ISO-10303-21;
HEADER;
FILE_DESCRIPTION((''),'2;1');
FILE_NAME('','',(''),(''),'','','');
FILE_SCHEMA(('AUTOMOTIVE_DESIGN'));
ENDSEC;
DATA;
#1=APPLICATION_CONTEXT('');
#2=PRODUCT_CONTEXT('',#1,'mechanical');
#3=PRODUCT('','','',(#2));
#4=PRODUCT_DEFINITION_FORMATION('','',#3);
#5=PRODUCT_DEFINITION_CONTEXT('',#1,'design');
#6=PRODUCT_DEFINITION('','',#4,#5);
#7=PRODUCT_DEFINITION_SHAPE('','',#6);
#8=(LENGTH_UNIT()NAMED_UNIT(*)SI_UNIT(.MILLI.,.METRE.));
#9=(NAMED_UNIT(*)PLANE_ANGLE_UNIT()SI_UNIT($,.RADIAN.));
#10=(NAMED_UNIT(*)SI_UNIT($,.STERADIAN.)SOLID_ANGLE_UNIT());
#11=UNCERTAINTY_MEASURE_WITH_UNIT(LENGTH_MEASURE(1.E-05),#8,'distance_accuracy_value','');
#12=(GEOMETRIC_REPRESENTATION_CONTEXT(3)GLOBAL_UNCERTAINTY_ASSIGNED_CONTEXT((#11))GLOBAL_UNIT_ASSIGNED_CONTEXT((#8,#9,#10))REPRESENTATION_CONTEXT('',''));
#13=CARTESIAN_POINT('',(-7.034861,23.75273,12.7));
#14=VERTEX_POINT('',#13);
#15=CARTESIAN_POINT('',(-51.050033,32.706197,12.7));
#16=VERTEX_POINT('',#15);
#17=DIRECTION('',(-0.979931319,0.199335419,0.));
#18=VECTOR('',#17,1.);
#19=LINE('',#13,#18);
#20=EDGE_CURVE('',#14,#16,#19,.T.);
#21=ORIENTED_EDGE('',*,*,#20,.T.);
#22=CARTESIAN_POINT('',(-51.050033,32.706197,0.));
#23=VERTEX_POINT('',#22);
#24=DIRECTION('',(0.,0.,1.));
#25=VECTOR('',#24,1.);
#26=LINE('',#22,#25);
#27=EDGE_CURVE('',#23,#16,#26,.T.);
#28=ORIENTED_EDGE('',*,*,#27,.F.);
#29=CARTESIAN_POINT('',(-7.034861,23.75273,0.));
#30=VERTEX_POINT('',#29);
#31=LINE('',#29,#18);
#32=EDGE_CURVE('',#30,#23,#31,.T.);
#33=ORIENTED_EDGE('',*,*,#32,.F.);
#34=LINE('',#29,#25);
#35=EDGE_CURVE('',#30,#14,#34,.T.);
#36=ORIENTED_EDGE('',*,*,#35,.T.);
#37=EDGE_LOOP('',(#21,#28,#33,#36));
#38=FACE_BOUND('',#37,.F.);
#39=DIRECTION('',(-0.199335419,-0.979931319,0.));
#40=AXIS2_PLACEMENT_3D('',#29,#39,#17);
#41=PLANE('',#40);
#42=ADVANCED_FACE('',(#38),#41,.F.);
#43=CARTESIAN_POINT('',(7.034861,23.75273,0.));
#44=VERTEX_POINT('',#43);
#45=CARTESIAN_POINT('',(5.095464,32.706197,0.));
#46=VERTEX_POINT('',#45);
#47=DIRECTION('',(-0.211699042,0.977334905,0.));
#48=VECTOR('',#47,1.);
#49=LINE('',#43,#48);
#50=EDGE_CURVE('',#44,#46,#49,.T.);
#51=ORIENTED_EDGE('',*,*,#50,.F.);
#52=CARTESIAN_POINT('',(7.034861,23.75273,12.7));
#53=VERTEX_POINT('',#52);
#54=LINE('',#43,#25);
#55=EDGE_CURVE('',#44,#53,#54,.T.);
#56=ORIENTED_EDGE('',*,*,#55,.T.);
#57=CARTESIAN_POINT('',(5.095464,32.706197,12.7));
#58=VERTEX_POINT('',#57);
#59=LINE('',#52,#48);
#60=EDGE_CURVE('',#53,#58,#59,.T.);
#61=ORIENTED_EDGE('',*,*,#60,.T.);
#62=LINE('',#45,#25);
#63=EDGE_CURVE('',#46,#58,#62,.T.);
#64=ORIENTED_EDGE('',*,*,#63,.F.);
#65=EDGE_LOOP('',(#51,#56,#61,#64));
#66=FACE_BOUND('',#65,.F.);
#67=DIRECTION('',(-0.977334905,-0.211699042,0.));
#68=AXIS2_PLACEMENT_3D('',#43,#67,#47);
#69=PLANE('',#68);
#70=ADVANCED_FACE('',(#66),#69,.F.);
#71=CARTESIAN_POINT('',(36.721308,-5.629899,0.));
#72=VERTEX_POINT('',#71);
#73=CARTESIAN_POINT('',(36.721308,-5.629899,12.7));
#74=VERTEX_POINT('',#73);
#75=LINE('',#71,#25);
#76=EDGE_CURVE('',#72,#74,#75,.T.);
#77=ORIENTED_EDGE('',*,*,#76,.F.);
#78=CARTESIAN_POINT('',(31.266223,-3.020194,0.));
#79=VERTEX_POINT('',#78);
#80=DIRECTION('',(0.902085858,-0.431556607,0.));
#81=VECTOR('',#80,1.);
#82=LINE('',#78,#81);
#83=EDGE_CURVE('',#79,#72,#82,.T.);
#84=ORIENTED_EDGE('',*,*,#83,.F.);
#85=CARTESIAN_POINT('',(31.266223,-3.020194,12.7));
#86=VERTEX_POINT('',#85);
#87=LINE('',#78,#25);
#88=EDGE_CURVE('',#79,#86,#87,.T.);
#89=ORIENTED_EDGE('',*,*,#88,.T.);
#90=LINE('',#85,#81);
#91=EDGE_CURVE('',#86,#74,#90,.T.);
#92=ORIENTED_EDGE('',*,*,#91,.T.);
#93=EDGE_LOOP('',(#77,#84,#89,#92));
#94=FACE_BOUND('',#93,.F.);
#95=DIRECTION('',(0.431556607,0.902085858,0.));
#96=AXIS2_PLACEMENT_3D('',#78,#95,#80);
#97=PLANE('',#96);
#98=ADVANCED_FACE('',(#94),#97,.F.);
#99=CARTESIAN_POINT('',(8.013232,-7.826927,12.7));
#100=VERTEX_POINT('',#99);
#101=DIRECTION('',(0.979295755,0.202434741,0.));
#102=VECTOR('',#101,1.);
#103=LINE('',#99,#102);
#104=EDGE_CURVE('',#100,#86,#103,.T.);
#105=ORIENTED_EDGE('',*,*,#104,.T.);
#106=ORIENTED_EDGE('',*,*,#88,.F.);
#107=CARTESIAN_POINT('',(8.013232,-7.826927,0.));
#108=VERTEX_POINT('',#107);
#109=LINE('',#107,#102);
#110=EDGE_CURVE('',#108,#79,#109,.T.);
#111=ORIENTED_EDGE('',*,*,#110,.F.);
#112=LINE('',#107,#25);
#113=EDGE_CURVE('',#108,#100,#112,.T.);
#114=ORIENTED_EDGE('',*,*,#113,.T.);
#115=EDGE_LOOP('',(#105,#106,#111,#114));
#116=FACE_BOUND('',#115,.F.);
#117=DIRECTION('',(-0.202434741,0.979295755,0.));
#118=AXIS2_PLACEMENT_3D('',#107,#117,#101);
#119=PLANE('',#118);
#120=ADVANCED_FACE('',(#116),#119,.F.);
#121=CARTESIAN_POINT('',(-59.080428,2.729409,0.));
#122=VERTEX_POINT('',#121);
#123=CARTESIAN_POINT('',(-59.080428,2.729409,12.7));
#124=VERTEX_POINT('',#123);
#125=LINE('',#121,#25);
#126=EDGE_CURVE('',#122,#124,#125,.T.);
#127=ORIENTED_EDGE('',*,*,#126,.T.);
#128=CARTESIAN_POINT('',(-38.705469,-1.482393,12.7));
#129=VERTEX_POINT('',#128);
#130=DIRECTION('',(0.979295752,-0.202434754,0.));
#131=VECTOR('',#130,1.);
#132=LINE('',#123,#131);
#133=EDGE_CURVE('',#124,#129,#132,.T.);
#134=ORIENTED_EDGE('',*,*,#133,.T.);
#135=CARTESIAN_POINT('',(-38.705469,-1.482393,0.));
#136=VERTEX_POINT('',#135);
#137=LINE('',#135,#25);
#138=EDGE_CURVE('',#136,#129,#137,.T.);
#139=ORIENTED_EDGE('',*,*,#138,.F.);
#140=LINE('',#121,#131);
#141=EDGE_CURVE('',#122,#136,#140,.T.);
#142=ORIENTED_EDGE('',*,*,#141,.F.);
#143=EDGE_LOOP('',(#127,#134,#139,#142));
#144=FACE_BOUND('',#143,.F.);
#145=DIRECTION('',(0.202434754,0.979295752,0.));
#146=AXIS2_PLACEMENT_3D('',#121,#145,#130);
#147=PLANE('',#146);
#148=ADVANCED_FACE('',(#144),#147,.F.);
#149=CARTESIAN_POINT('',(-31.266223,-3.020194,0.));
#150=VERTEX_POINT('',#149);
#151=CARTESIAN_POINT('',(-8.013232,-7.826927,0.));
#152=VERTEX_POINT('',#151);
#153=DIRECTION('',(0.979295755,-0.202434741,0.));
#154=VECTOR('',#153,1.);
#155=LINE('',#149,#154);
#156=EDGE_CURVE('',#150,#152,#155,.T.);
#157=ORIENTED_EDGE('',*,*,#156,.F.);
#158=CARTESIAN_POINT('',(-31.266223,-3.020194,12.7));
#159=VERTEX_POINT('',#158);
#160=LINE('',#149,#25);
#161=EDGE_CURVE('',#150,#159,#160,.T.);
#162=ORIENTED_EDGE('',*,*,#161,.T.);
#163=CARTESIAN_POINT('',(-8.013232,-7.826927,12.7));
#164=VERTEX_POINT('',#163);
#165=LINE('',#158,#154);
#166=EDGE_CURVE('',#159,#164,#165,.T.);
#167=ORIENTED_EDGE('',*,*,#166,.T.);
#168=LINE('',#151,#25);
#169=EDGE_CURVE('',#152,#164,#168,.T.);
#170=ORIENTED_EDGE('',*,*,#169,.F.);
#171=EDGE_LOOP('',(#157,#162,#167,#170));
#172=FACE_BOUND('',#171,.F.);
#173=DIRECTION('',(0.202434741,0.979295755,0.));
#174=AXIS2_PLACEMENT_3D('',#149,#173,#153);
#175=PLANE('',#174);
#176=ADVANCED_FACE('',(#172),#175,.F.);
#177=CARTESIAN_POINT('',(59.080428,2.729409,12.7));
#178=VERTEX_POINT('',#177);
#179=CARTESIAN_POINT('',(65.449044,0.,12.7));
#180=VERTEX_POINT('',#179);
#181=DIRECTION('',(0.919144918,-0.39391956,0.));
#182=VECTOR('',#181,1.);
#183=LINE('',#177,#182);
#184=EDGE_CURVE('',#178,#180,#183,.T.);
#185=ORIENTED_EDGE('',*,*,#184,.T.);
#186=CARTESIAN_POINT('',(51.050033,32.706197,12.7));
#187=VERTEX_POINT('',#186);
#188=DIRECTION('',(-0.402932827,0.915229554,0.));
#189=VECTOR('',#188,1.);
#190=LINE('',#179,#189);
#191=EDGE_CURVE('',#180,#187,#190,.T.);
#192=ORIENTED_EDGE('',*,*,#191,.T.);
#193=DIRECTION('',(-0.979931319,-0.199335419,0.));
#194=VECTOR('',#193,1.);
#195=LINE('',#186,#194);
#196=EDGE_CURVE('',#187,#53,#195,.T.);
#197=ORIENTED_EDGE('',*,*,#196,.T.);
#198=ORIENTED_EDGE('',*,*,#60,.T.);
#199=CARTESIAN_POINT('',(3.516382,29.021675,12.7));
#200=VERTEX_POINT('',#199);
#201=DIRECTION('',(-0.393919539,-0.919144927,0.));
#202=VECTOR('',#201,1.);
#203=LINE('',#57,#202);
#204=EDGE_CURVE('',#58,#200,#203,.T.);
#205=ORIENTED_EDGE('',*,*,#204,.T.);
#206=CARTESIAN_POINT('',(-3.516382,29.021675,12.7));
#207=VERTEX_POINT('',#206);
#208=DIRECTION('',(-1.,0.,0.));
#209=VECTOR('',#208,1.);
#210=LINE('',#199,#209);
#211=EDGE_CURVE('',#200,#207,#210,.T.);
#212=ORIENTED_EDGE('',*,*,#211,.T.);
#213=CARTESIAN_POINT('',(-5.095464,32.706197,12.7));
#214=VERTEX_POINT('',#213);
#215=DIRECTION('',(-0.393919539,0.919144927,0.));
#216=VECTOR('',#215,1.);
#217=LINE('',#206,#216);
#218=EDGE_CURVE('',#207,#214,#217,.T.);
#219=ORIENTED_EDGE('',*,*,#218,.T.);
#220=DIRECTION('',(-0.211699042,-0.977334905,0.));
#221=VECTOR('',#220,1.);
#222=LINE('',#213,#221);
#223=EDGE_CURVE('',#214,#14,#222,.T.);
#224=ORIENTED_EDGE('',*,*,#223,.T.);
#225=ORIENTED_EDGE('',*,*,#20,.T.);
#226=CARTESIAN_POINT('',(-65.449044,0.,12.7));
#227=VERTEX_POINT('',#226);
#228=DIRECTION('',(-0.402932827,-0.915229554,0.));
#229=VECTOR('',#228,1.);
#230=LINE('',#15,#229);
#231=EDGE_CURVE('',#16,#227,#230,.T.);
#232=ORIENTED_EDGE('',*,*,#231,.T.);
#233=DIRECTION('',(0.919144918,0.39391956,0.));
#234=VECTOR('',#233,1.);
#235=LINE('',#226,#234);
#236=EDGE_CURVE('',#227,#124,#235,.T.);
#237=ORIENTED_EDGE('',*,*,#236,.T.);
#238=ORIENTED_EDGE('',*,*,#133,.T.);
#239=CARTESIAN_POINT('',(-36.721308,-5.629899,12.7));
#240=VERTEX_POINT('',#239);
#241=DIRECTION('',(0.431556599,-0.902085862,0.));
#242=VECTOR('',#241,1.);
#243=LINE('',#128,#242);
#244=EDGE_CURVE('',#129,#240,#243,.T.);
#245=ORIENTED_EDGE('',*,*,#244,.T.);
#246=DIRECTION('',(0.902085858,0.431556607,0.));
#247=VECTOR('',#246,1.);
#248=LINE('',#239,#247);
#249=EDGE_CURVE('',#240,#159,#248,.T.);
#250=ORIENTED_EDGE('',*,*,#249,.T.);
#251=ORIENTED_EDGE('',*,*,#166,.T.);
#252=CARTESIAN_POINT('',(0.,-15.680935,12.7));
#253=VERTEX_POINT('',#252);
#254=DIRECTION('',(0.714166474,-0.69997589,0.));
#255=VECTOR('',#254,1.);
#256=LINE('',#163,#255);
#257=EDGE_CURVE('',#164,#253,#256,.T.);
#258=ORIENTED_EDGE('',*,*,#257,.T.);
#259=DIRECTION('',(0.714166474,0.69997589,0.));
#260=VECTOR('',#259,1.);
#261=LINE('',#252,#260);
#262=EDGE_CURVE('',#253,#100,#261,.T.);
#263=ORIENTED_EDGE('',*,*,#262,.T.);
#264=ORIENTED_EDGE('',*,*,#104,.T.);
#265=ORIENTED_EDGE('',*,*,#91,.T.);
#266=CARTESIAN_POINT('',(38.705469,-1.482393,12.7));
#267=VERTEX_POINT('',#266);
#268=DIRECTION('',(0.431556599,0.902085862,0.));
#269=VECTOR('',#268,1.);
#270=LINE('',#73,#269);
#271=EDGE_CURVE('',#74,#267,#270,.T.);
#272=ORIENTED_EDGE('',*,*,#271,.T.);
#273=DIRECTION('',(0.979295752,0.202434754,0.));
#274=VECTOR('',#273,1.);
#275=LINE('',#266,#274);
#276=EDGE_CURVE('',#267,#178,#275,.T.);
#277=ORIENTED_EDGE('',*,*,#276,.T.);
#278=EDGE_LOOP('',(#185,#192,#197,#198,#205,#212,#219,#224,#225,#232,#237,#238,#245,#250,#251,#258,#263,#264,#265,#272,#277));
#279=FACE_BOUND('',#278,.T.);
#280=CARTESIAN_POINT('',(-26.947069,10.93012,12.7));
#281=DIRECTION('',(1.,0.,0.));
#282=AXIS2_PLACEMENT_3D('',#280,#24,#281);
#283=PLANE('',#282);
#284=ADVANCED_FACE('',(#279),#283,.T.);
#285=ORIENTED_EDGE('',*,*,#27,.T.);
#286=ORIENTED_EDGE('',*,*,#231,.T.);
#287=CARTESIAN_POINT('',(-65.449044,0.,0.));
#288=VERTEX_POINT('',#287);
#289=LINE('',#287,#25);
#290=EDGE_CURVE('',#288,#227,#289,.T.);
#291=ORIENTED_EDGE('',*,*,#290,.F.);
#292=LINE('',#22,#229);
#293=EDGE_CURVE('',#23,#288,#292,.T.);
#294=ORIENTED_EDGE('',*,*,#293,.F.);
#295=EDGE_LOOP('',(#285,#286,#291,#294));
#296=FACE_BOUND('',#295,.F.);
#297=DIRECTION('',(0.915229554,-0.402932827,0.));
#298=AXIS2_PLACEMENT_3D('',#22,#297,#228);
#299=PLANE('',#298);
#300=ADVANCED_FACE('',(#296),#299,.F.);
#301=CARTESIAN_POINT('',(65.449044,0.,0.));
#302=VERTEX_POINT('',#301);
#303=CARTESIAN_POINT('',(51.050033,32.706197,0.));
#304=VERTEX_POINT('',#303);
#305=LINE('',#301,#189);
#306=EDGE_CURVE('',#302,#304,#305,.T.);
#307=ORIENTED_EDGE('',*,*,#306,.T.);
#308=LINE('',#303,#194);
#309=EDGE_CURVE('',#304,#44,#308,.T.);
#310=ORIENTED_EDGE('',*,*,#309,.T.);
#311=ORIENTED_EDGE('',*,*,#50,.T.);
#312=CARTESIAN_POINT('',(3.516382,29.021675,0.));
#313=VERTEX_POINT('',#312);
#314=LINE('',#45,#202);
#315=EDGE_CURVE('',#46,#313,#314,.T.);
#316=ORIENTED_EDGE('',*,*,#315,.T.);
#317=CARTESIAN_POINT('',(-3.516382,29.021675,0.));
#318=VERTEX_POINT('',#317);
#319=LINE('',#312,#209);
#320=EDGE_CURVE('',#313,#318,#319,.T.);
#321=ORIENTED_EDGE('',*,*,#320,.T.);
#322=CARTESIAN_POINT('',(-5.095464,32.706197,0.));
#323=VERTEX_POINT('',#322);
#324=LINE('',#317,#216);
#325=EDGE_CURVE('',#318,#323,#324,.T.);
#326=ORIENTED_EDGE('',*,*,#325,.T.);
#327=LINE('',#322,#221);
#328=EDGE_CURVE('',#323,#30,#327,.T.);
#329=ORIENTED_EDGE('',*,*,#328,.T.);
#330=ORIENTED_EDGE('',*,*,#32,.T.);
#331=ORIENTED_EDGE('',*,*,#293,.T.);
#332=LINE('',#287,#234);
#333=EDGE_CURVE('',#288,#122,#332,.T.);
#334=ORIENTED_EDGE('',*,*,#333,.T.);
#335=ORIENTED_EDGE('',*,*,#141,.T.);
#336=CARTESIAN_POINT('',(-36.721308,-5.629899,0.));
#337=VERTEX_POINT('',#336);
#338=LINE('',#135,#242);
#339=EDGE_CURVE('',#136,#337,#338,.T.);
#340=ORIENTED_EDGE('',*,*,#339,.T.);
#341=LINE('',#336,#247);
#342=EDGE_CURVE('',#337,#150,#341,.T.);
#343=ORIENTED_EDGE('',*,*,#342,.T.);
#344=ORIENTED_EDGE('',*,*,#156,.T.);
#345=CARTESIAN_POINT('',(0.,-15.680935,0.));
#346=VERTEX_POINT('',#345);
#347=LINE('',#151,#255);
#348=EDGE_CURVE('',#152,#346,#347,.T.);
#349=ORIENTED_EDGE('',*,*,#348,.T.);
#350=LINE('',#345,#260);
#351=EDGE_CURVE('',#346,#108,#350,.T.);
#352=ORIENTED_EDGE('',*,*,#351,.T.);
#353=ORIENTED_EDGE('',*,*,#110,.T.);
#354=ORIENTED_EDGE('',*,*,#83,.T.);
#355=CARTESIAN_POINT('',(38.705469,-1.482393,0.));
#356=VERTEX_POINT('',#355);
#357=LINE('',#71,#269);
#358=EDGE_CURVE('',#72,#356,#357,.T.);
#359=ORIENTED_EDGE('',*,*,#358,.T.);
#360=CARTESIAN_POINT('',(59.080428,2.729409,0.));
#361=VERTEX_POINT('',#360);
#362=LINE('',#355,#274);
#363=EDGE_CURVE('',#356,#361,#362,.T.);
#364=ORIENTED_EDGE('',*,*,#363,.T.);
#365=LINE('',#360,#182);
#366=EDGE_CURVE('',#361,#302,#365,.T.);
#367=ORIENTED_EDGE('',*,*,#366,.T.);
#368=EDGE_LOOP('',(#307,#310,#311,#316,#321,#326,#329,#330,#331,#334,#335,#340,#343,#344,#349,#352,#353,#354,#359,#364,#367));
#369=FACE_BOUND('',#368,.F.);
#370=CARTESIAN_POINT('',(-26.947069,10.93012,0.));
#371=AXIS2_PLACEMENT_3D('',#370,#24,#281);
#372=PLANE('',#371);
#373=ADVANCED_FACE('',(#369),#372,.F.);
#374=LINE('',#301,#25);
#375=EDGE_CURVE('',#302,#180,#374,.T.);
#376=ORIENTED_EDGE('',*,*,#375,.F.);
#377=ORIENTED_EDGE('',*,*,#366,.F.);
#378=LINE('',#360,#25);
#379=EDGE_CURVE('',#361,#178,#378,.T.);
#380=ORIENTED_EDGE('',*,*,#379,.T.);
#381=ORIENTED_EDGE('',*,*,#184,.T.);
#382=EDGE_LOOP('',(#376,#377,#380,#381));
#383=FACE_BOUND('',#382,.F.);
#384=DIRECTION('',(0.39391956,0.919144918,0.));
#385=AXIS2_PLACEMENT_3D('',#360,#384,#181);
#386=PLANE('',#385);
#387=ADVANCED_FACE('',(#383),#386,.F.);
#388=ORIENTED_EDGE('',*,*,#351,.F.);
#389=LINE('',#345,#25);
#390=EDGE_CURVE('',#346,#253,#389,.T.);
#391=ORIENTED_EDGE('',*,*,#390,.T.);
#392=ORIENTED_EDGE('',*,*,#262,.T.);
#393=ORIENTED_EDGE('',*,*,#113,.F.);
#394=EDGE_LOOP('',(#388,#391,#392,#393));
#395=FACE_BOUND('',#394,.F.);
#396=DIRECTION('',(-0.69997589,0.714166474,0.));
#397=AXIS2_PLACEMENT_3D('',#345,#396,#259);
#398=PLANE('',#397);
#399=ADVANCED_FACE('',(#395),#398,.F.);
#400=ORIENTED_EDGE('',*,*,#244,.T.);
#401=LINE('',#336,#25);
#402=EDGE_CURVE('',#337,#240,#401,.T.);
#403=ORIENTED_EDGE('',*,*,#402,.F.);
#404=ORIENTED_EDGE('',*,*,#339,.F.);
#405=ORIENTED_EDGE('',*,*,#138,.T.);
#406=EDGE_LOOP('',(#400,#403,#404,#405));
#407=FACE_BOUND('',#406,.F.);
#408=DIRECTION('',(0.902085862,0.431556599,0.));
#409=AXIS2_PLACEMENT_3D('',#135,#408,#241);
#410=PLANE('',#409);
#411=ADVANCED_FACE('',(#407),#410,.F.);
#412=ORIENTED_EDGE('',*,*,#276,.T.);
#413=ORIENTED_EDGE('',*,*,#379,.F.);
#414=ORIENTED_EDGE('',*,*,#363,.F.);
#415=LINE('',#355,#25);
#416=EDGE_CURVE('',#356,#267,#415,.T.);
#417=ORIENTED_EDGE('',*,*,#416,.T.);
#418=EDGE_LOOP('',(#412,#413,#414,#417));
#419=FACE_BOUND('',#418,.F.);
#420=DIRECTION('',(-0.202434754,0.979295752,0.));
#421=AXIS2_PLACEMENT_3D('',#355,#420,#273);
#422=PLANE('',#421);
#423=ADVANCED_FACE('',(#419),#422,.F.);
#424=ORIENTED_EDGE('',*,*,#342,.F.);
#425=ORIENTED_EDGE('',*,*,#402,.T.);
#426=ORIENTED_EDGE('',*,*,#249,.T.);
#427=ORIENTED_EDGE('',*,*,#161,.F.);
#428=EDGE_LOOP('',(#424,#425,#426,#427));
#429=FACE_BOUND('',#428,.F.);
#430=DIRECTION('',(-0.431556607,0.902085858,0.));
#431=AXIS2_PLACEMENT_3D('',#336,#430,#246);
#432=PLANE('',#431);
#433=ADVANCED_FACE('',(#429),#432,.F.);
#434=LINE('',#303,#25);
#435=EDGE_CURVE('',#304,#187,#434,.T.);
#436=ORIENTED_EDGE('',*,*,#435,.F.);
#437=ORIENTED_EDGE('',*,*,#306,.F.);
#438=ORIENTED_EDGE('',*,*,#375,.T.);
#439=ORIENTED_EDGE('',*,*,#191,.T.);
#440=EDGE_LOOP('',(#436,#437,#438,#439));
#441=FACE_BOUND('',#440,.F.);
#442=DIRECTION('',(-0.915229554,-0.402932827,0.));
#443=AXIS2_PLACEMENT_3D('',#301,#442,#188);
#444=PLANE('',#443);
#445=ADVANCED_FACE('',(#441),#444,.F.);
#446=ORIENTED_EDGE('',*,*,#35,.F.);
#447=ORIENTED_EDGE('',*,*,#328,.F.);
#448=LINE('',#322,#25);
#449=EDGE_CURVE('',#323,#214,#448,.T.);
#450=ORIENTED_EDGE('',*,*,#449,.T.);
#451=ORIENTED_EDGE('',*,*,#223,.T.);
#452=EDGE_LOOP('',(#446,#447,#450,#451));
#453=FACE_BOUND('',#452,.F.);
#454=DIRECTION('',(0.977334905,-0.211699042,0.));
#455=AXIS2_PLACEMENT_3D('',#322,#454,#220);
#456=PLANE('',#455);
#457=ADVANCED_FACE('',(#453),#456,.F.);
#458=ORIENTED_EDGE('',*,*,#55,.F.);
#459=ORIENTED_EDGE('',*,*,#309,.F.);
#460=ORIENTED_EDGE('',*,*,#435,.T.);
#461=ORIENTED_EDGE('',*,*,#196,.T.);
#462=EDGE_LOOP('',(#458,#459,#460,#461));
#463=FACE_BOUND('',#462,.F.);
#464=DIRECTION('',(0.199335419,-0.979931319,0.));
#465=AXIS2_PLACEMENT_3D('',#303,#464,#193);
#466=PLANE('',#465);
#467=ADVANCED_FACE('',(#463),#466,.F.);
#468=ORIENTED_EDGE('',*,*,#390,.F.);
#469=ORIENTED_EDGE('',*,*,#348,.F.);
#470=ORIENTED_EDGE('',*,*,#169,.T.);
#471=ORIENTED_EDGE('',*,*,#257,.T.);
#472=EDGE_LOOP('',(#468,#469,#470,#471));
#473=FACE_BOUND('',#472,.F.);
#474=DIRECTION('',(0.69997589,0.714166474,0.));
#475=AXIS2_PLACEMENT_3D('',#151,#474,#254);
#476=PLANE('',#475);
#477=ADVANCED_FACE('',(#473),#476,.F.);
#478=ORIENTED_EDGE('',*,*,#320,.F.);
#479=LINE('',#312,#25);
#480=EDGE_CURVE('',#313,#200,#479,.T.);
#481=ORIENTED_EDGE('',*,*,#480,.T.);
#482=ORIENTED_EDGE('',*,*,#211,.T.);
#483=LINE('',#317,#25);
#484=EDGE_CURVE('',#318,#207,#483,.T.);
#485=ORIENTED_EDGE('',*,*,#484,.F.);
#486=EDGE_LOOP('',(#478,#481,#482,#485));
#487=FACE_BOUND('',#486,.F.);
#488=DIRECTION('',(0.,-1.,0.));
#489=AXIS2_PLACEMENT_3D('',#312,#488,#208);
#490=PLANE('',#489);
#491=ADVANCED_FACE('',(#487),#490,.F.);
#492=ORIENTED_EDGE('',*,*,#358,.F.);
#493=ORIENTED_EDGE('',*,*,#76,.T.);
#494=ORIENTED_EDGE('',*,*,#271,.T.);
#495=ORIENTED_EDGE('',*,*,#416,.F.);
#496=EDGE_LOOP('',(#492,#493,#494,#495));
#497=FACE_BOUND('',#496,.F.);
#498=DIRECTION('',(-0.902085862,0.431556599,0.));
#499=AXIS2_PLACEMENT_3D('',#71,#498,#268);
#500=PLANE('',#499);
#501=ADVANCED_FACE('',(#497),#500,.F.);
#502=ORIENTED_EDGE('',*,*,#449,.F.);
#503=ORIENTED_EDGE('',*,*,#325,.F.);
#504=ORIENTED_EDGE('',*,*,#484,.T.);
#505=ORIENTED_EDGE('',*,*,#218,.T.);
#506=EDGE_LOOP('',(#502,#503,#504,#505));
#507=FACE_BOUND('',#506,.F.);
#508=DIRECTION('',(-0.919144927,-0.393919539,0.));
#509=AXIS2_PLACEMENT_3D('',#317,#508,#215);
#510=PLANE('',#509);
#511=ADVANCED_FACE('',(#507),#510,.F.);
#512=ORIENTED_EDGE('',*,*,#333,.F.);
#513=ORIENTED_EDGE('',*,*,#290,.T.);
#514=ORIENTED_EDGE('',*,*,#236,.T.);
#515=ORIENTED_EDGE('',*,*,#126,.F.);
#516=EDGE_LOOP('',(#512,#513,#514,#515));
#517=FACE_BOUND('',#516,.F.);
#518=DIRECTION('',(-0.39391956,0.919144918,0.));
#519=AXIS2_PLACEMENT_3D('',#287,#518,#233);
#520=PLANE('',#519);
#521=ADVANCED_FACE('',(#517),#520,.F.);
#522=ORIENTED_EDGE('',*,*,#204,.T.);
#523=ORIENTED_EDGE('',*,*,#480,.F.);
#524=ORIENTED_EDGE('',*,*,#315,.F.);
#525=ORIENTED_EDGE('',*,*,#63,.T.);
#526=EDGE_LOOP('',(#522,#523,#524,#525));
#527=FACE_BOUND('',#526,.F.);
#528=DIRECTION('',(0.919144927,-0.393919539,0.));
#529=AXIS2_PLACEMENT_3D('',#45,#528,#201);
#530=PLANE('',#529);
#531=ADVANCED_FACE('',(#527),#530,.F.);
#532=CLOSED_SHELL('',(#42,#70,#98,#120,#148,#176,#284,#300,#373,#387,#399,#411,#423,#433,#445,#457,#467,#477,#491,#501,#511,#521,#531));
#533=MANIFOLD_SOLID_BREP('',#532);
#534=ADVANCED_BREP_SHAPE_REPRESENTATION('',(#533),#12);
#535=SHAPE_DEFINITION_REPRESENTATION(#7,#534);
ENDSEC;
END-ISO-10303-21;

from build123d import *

# Parameters (mm, degrees)
F1_DEPTH = 12.7


with BuildPart() as f1:
    # F0 (on Top) → F1 (new body)
    with BuildSketch(Plane.XY):
        Polygon((0, -15.680935), (0, 29.021675), (-3.516382, 29.021675), (-5.095464, 32.706197), (-7.034861, 23.75273), (-51.050033, 32.706197), (-65.449044, 0), (-59.080428, 2.729409), (-38.705469, -1.482393), (-36.721308, -5.629899), (-31.266223, -3.020194), (-8.013232, -7.826927), align=None)
        Polygon((3.516382, 29.021675), (0, 29.021675), (0, -15.680935), (8.013232, -7.826927), (31.266223, -3.020194), (36.721308, -5.629899), (38.705469, -1.482393), (59.080428, 2.729409), (65.449044, 0), (51.050033, 32.706197), (7.034861, 23.75273), (5.095464, 32.706197), align=None)
    extrude(amount=F1_DEPTH)


solid = f1.part
